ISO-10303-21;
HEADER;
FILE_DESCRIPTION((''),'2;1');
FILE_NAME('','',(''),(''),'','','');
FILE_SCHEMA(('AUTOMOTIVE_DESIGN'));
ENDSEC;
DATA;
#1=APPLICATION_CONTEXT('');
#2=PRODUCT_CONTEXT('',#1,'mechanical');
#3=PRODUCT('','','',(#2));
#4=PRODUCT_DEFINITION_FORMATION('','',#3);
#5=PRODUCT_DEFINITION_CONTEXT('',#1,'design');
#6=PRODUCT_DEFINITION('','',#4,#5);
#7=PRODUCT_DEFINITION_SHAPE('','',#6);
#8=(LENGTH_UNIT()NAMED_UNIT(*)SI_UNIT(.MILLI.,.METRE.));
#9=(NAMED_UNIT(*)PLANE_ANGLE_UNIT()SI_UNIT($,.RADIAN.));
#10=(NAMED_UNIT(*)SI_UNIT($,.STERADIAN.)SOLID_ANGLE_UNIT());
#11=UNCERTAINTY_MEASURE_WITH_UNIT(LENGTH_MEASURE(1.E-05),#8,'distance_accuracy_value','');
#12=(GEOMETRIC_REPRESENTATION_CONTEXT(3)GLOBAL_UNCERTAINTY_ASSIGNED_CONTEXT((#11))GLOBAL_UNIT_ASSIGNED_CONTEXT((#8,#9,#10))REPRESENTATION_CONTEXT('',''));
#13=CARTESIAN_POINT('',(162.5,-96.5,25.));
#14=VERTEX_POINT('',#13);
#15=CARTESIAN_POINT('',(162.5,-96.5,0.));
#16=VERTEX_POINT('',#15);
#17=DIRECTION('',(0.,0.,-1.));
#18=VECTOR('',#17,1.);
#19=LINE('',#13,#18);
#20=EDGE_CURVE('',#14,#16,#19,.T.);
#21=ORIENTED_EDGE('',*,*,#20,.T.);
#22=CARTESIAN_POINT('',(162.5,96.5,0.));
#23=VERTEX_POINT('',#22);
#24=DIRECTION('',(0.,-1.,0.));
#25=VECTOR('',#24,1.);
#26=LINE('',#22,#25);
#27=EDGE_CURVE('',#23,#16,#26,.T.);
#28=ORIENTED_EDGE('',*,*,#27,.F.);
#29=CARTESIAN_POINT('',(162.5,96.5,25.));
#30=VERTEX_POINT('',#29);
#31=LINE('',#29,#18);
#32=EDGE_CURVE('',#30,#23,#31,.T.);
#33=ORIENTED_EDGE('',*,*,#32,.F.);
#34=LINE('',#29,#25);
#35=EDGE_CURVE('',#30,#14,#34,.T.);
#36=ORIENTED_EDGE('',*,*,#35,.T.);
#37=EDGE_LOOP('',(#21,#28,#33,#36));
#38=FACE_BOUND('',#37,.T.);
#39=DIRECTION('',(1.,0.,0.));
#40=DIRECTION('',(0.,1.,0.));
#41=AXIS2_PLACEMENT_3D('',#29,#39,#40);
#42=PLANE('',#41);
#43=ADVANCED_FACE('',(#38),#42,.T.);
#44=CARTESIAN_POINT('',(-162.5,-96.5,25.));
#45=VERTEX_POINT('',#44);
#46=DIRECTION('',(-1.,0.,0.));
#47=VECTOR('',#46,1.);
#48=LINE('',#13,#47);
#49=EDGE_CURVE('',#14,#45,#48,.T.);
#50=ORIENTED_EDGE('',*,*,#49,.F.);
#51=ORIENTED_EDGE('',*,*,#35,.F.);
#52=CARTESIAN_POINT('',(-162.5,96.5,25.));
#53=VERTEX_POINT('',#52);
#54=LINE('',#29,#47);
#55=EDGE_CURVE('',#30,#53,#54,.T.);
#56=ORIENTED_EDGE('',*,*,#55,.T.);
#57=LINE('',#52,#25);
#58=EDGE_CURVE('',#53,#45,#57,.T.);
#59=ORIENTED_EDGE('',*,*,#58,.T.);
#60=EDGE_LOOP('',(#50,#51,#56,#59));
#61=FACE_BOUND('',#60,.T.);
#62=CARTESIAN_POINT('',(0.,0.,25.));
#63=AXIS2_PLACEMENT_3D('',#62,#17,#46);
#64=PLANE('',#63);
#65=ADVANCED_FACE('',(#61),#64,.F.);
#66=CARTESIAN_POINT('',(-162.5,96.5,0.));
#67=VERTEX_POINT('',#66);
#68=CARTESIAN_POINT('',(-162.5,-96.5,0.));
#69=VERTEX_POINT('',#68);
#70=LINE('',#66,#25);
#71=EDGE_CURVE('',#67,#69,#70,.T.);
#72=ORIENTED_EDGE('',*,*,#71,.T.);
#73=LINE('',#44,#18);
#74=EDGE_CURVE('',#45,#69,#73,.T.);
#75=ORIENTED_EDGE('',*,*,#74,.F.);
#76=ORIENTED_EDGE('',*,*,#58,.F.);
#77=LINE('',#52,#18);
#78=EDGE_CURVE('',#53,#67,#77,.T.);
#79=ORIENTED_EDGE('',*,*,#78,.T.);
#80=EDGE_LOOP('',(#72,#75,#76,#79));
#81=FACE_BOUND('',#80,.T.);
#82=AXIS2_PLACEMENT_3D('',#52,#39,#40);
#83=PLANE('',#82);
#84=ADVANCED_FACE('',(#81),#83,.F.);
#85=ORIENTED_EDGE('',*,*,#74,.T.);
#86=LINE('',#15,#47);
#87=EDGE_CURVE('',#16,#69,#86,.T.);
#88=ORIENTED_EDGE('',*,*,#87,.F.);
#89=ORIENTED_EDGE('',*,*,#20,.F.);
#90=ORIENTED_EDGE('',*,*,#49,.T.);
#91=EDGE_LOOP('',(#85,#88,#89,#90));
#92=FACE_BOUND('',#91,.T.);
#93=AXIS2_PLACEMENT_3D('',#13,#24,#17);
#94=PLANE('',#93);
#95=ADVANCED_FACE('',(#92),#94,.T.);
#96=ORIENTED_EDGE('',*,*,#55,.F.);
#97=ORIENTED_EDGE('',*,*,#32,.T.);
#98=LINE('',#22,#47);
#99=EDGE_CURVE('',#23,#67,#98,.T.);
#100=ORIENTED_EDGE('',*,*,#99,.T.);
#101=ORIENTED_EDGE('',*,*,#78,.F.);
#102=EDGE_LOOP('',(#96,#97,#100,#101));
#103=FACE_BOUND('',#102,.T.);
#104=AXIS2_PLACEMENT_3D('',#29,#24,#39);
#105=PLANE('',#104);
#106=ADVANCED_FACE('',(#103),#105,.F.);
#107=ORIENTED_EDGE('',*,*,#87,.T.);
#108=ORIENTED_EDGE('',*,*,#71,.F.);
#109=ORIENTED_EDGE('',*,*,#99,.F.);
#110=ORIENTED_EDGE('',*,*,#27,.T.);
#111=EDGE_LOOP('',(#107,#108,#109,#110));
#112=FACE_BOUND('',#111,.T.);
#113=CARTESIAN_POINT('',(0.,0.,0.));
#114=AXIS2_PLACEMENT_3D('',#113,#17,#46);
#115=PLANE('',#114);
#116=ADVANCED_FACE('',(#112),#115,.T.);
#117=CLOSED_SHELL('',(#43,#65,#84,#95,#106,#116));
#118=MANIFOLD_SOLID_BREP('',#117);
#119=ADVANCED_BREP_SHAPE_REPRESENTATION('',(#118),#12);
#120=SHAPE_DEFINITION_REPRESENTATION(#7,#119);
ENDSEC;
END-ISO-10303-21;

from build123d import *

# Parameters (mm, degrees)
SKETCH_1_W      = 325
SKETCH_1_H      = 193
EXTRUDE_1_DEPTH = 25


with BuildPart() as part:
    # 草图1 → 凸台-拉伸1 (new body)
    with BuildSketch(Plane.XY):
        Rectangle(SKETCH_1_W, SKETCH_1_H)
    extrude(amount=EXTRUDE_1_DEPTH)


solid = part.part
